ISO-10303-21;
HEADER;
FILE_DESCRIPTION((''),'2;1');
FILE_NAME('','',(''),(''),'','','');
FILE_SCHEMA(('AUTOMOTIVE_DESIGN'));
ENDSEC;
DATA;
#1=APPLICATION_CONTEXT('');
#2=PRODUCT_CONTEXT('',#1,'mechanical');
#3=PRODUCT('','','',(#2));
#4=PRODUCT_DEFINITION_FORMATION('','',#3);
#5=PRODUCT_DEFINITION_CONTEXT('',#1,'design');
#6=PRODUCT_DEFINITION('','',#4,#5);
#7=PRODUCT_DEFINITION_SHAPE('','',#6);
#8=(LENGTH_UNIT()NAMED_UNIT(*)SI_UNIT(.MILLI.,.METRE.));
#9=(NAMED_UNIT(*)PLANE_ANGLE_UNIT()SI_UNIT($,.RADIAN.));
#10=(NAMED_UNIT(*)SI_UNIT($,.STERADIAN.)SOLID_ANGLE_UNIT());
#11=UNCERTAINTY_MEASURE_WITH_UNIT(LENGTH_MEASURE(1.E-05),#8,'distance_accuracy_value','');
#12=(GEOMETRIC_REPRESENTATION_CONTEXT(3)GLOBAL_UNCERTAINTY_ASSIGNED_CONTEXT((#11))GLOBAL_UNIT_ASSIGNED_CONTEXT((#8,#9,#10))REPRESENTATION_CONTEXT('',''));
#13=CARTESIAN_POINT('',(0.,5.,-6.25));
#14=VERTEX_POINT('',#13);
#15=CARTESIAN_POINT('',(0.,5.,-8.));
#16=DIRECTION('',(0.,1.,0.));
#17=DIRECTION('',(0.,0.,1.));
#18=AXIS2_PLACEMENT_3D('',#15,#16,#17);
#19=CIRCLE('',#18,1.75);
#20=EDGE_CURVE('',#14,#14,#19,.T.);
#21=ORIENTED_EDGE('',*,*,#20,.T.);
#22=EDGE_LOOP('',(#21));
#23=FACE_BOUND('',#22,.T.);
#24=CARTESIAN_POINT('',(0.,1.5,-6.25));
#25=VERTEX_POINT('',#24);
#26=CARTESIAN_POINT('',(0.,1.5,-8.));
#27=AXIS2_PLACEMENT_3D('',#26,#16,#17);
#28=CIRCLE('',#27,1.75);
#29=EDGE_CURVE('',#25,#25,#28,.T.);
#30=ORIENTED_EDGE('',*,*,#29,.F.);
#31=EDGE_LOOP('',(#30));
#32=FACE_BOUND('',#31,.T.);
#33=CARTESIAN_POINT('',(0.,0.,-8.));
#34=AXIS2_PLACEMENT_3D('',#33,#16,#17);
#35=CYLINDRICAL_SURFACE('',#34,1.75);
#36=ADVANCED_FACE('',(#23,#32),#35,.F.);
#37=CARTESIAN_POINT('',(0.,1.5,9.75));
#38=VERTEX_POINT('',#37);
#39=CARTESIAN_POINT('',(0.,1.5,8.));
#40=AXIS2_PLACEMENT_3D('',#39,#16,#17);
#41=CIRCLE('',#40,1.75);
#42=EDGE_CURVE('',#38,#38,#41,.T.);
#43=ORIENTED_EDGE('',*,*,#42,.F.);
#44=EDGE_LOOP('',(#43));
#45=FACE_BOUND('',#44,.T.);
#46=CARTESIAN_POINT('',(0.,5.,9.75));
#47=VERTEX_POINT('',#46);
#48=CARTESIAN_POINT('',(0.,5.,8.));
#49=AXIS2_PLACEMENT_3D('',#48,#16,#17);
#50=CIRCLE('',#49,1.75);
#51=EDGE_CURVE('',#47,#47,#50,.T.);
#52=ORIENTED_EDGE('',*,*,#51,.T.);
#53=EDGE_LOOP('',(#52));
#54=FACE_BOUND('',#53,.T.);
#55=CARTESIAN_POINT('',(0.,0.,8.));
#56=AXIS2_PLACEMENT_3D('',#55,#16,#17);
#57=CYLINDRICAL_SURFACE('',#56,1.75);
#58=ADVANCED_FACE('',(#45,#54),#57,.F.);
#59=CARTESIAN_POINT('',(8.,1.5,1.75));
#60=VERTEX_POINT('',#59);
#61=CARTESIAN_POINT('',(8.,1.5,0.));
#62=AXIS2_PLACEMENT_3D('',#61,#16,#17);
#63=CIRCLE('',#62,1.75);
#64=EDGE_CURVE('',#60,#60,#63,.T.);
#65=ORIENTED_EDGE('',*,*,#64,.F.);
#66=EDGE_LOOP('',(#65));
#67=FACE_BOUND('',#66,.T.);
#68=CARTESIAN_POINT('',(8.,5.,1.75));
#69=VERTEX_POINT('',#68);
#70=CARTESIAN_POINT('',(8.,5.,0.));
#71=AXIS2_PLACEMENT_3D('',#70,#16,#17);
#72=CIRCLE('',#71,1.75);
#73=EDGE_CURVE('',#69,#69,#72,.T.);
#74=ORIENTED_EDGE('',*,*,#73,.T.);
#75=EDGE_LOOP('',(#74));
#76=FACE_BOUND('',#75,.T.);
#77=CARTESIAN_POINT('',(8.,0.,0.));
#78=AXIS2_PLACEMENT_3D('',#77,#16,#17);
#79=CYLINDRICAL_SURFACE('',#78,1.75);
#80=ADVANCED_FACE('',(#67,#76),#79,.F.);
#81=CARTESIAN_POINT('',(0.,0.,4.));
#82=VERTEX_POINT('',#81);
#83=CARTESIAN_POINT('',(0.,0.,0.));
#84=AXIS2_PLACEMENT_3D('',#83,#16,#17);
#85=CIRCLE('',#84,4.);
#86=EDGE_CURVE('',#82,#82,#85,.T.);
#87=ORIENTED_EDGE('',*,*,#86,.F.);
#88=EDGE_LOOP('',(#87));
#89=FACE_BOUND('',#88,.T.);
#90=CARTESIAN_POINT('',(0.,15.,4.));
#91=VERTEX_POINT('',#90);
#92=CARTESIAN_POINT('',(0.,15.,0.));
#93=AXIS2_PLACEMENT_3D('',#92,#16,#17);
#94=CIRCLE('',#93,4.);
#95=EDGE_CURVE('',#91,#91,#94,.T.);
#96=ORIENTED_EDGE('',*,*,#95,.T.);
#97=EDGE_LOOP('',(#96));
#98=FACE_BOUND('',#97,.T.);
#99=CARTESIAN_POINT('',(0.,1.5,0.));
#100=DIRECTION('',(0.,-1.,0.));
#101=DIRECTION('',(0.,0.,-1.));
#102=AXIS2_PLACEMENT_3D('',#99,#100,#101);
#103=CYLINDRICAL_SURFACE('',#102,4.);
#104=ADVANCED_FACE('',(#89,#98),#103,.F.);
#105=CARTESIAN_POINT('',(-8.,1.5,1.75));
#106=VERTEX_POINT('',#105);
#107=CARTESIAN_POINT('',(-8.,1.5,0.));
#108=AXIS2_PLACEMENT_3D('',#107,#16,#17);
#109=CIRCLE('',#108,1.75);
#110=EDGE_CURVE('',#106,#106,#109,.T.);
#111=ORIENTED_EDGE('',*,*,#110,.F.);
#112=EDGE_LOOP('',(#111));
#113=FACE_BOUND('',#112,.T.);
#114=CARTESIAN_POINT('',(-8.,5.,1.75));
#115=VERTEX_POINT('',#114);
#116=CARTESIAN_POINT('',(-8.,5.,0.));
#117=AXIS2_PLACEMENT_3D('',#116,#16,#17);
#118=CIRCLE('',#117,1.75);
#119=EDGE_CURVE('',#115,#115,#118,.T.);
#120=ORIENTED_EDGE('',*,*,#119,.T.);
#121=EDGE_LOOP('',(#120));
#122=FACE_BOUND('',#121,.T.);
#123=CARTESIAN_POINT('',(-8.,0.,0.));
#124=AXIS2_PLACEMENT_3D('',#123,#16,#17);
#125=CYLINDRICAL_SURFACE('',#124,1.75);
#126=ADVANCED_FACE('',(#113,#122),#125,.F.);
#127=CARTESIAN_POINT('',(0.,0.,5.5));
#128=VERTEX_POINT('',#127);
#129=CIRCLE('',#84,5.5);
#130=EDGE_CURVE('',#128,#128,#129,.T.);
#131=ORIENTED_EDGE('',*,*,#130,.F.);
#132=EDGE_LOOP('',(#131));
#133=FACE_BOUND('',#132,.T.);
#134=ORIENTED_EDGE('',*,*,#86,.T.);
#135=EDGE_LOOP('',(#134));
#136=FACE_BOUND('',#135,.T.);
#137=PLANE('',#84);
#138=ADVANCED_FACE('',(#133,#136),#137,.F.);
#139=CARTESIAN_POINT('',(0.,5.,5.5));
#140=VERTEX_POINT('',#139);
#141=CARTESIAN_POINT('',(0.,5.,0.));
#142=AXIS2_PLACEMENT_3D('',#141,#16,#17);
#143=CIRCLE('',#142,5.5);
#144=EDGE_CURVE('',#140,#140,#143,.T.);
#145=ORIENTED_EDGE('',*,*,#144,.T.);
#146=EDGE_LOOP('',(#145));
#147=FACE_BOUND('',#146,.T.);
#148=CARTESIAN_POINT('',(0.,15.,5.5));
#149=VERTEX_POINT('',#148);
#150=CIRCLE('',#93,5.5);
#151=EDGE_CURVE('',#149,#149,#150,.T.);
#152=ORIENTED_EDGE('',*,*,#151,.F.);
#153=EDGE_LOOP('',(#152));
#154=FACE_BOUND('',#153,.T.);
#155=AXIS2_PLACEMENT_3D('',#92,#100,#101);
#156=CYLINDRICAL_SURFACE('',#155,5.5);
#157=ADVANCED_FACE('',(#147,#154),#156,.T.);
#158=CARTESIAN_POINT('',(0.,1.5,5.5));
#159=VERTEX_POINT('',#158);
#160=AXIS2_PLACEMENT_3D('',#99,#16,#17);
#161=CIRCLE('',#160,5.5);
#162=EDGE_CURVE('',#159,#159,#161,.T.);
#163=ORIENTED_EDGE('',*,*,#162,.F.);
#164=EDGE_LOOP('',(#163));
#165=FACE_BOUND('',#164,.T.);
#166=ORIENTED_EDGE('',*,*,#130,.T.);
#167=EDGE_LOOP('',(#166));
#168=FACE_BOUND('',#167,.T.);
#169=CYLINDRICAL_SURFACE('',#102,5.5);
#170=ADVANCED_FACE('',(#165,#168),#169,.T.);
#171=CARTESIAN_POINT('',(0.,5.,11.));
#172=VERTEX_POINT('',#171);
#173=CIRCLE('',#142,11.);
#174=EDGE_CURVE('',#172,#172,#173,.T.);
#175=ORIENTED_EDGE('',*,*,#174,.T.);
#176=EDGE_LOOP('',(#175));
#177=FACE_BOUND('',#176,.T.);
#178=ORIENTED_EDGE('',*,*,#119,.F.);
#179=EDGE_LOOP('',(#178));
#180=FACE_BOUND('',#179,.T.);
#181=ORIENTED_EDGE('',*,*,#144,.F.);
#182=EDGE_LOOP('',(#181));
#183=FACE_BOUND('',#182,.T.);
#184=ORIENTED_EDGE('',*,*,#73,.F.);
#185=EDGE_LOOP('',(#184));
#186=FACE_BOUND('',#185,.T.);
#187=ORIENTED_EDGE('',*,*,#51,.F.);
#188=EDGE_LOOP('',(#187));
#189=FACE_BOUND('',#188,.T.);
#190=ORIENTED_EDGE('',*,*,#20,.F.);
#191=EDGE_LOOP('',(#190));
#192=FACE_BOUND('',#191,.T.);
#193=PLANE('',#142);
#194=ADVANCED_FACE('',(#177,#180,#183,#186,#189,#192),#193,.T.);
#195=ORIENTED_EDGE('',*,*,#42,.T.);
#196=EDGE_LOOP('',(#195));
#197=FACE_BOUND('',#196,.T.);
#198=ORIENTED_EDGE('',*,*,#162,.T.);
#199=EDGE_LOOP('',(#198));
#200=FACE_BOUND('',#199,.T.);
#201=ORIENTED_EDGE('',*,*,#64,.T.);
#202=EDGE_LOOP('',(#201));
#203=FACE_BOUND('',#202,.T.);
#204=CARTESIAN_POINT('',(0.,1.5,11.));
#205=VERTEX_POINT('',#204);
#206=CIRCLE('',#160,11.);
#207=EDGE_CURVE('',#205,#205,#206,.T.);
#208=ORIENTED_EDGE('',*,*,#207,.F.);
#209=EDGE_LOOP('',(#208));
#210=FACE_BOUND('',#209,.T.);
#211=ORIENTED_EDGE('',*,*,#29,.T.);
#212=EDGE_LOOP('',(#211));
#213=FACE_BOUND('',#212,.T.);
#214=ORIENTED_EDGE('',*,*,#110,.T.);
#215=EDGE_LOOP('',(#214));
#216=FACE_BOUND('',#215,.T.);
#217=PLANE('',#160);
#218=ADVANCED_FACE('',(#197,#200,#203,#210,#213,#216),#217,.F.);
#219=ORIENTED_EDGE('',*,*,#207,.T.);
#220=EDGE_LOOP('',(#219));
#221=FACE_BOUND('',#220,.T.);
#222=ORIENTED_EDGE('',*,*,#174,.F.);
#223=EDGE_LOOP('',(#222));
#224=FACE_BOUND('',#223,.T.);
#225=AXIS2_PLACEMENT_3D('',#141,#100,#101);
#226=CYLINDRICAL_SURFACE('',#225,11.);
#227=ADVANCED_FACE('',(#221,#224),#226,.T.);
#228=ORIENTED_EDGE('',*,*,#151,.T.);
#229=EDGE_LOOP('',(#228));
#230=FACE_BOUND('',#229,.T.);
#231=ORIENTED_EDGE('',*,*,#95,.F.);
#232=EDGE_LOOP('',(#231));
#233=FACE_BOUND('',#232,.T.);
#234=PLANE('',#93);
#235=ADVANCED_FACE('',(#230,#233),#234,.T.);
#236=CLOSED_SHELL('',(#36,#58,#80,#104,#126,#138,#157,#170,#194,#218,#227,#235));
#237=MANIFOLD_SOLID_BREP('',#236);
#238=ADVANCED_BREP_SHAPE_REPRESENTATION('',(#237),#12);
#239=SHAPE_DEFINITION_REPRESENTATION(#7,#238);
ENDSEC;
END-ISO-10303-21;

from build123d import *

# Parameters (mm, degrees)
SKETCH_1_R          = 5.5
SKETCH_1_R_2        = 4
EXTRUDE_1_DEPTH     = 1.5
SKETCH_2_R          = 11
SKETCH_2_R_2        = 4
EXTRUDE_2_DEPTH     = 3.5
SKETCH_3_R          = 5.5
SKETCH_3_R_2        = 4
EXTRUDE_3_DEPTH     = 10
SKETCH_4_R          = 1.75
CUT_EXTRUDE_1_DEPTH = 19.493242009


with BuildPart() as part:
    # 草图1 → 凸台-拉伸1 (new body)
    with BuildSketch(Plane(origin=(0, 0, 0), x_dir=(1, 0, 0), z_dir=(0, 1, 0))):
        with Locations(Location((0, 0, 0), (0, 0, 270))):
            Circle(SKETCH_1_R)
        with Locations(Location((0, 0, 0), (0, 0, 270))):
            Circle(SKETCH_1_R_2, mode=Mode.SUBTRACT)
    extrude(amount=EXTRUDE_1_DEPTH)

    # 草图2 → 凸台-拉伸2 (add)
    with BuildSketch(Plane(origin=(0, 1.5, 0), x_dir=(1, 0, 0), z_dir=(0, 1, 0))):
        with Locations(Location((0, 0, 0), (0, 0, 270))):
            Circle(SKETCH_2_R)
        with Locations(Location((0, 0, 0), (0, 0, 270))):
            Circle(SKETCH_2_R_2, mode=Mode.SUBTRACT)
    extrude(amount=EXTRUDE_2_DEPTH)

    # 草图3 → 凸台-拉伸3 (add)
    with BuildSketch(Plane(origin=(0, 5, 0), x_dir=(1, 0, 0), z_dir=(0, 1, 0))):
        with Locations(Location((0, 0, 0), (0, 0, 270))):
            Circle(SKETCH_3_R)
        with Locations(Location((0, 0, 0), (0, 0, 270))):
            Circle(SKETCH_3_R_2, mode=Mode.SUBTRACT)
    extrude(amount=EXTRUDE_3_DEPTH)

    # 草图4 → 切除-拉伸1 (cut, through all)
    with BuildSketch(Plane(origin=(0, 5, 0), x_dir=(1, 0, 0), z_dir=(0, 1, 0))):
        with Locations(Location((0, 8, 0), (0, 0, 270))):
            Circle(SKETCH_4_R)
        with Locations(Location((8, 0, 0), (0, 0, 270))):
            Circle(SKETCH_4_R)
        with Locations(Location((0, -8, 0), (0, 0, 270))):
            Circle(SKETCH_4_R)
        with Locations(Location((-8, 0, 0), (0, 0, 270))):
            Circle(SKETCH_4_R)
    extrude(amount=-CUT_EXTRUDE_1_DEPTH, mode=Mode.SUBTRACT)


solid = part.part
